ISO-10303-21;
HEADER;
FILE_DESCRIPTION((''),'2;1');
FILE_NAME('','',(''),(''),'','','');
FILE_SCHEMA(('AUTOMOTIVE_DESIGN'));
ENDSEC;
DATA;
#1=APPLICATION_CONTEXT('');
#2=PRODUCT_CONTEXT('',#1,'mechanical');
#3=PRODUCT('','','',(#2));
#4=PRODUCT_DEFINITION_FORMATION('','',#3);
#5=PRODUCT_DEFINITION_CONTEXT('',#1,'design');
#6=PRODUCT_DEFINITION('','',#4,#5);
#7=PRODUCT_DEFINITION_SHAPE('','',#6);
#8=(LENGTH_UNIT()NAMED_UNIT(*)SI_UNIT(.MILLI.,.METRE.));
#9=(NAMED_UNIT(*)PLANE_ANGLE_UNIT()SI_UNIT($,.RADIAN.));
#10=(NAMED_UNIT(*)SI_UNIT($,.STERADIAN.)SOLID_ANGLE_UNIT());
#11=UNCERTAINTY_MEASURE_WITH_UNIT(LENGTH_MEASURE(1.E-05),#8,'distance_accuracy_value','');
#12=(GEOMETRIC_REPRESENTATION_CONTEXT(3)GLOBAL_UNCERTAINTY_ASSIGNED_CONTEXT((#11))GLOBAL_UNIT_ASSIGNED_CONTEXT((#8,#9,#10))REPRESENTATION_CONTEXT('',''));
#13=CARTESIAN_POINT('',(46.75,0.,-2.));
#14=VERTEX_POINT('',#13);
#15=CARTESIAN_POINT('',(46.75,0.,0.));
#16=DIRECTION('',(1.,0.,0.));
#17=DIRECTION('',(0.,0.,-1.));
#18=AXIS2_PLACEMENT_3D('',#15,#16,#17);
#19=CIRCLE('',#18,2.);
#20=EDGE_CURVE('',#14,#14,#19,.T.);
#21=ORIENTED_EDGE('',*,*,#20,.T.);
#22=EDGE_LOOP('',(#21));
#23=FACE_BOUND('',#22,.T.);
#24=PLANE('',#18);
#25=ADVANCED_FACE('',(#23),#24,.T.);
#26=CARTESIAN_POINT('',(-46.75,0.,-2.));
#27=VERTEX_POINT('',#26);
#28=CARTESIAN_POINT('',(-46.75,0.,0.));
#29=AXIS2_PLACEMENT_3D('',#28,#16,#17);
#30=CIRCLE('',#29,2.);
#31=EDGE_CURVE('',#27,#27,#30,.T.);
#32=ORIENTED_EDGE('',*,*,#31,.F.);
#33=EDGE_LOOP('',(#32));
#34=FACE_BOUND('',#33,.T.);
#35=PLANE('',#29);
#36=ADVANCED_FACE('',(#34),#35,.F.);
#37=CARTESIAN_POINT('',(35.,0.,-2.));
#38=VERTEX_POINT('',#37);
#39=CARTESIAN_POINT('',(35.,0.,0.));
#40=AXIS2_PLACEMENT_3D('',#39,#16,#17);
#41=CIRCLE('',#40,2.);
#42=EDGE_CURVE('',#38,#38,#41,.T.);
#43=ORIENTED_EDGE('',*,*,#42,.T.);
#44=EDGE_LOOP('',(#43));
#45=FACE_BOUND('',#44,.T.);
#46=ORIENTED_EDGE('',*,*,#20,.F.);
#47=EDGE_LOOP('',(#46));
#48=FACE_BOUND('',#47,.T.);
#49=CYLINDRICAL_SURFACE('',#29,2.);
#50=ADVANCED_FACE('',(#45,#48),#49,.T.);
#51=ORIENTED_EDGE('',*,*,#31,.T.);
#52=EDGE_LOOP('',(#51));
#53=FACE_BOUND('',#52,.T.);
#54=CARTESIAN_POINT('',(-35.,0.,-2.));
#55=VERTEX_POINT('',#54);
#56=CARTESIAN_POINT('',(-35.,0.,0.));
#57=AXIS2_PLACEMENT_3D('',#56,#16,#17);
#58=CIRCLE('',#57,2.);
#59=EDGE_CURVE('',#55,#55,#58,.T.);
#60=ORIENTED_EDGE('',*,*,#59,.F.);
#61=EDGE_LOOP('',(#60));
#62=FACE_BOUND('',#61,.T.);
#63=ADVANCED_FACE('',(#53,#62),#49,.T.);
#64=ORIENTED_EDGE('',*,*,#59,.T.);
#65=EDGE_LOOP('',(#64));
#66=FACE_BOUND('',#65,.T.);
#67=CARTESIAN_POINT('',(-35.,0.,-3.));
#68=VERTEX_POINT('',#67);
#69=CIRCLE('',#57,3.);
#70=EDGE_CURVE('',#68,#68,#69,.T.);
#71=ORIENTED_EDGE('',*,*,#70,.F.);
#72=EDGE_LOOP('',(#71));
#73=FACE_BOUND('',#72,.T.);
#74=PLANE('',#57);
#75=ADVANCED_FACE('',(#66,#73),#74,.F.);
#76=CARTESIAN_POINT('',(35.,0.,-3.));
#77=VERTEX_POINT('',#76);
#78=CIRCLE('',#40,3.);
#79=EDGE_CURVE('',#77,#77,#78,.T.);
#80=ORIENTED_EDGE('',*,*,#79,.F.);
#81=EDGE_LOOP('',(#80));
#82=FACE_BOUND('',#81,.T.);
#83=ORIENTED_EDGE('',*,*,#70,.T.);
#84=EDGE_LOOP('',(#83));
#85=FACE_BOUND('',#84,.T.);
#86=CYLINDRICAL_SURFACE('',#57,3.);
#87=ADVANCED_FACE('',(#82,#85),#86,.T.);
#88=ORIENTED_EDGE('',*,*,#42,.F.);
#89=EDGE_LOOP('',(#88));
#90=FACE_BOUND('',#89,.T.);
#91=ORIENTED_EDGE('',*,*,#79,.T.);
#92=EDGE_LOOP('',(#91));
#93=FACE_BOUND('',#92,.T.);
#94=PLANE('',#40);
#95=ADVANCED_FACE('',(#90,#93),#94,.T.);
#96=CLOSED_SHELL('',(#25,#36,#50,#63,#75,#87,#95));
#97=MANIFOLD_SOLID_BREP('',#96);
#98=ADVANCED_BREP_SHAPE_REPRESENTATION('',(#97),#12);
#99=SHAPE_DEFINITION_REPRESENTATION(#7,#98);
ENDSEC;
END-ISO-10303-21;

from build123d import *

# Parameters (mm, degrees)
BOSS_EXTRUDE1_DEPTH      = 35
BOSS_EXTRUDE1_DEPTH_BACK = 35
SKETCH1_R                = 3
BOSS_EXTRUDE2_DEPTH      = 46.75
BOSS_EXTRUDE2_DEPTH_BACK = 46.75
SKETCH3_R                = 2


with BuildPart() as part:
    # Sketch1 → Boss-Extrude1 (new, two sides: drawn at the far end of the back side and taken through both)
    with BuildSketch(Plane(origin=(0, 0, 0), x_dir=(0, 0, -1), z_dir=(1, 0, 0)).offset(-BOSS_EXTRUDE1_DEPTH_BACK)):
        Circle(SKETCH1_R)
    extrude(amount=BOSS_EXTRUDE1_DEPTH + BOSS_EXTRUDE1_DEPTH_BACK)

    # Sketch3 → Boss-Extrude2 (add, two sides: drawn at the far end of the back side and taken through both)
    with BuildSketch(Plane(origin=(0, 0, 0), x_dir=(0, 0, -1), z_dir=(1, 0, 0)).offset(-BOSS_EXTRUDE2_DEPTH_BACK)):
        Circle(SKETCH3_R)
    extrude(amount=BOSS_EXTRUDE2_DEPTH + BOSS_EXTRUDE2_DEPTH_BACK)


solid = part.part
